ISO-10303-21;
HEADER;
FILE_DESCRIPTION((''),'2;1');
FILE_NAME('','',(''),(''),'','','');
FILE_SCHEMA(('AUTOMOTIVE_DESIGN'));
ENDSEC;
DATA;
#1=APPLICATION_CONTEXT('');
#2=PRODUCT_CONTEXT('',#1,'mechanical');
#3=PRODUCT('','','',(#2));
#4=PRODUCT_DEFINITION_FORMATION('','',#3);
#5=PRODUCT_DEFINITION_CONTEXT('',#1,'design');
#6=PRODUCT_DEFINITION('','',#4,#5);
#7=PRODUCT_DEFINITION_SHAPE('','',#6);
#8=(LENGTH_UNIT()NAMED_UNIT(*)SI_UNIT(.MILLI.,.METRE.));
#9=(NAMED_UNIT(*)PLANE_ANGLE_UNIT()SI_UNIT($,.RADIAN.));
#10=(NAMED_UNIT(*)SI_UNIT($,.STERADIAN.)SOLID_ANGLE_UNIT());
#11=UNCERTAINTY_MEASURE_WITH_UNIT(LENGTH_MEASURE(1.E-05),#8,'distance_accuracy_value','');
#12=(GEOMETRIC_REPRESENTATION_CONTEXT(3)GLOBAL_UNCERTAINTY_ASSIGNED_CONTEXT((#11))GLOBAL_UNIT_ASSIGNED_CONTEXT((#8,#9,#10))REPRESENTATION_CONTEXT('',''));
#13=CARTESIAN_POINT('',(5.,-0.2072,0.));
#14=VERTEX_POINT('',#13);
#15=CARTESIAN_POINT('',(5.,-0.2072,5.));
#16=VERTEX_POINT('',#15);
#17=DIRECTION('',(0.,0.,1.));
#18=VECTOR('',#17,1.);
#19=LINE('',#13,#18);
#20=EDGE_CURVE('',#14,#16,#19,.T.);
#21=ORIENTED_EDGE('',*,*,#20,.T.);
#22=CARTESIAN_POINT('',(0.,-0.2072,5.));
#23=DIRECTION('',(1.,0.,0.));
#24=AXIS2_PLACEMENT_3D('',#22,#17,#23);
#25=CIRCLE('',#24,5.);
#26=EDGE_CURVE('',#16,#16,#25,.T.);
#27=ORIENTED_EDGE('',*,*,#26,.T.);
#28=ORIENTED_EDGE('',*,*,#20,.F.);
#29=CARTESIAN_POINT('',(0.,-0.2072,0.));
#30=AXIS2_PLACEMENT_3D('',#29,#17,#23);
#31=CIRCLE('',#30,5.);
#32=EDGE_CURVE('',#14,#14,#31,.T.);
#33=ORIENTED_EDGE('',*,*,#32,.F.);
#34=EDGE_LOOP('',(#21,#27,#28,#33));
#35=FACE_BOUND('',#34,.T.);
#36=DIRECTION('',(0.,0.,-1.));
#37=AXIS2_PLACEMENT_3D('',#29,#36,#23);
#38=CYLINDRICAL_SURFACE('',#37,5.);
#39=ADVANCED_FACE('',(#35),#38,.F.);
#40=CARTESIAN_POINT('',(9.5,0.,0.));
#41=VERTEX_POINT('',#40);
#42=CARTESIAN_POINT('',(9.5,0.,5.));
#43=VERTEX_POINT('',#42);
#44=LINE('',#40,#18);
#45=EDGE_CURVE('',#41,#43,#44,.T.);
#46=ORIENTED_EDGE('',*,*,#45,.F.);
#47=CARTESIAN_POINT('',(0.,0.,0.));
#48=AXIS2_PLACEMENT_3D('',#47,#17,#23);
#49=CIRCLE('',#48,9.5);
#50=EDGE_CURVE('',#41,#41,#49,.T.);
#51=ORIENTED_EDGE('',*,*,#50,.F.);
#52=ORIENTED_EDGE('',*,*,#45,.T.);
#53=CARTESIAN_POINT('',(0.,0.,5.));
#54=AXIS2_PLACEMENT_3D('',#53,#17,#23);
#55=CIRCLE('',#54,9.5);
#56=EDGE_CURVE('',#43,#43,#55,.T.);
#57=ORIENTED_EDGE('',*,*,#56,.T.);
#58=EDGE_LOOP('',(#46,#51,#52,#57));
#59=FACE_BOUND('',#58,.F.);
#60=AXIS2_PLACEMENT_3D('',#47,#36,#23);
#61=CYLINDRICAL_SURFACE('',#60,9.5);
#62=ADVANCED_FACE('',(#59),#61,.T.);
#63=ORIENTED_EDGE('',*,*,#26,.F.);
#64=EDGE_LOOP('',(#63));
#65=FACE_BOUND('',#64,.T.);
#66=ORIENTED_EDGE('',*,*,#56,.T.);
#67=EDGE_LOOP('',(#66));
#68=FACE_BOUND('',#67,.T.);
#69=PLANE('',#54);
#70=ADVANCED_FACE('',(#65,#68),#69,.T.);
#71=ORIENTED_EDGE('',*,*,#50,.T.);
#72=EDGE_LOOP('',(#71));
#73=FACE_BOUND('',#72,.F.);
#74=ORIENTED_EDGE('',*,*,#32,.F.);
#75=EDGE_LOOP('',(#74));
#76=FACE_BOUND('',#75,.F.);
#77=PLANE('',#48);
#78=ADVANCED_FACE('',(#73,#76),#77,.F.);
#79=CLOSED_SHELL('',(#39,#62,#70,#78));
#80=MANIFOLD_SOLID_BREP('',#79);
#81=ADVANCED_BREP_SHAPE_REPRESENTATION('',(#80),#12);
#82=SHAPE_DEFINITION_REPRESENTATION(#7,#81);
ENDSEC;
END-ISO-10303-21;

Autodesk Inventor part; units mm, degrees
ref_plane "YZ Plane" through (0, 0, 0) normal (1, 0, 0) x (0, 1, 0)
ref_plane "XZ Plane" through (0, 0, 0) normal (0, 1, 0) x (-1, 0, 0)
ref_plane "XY Plane" through (0, 0, 0) normal (0, 0, 1) x (1, 0, 0)
sketch "Sketch1" plane through (0, 0, 0) normal (0, 0, 1) x (1, 0, 0)
  circle A0 centre (0, 0) radius 9.5
  circle A1 centre (0, -0.2072) radius 5
  dimension "d0" = 19
  dimension "d1" = 10
extrude "Extrusion1" add sketch "Sketch1" along normal blind 5
properties part number "bearing_19"
